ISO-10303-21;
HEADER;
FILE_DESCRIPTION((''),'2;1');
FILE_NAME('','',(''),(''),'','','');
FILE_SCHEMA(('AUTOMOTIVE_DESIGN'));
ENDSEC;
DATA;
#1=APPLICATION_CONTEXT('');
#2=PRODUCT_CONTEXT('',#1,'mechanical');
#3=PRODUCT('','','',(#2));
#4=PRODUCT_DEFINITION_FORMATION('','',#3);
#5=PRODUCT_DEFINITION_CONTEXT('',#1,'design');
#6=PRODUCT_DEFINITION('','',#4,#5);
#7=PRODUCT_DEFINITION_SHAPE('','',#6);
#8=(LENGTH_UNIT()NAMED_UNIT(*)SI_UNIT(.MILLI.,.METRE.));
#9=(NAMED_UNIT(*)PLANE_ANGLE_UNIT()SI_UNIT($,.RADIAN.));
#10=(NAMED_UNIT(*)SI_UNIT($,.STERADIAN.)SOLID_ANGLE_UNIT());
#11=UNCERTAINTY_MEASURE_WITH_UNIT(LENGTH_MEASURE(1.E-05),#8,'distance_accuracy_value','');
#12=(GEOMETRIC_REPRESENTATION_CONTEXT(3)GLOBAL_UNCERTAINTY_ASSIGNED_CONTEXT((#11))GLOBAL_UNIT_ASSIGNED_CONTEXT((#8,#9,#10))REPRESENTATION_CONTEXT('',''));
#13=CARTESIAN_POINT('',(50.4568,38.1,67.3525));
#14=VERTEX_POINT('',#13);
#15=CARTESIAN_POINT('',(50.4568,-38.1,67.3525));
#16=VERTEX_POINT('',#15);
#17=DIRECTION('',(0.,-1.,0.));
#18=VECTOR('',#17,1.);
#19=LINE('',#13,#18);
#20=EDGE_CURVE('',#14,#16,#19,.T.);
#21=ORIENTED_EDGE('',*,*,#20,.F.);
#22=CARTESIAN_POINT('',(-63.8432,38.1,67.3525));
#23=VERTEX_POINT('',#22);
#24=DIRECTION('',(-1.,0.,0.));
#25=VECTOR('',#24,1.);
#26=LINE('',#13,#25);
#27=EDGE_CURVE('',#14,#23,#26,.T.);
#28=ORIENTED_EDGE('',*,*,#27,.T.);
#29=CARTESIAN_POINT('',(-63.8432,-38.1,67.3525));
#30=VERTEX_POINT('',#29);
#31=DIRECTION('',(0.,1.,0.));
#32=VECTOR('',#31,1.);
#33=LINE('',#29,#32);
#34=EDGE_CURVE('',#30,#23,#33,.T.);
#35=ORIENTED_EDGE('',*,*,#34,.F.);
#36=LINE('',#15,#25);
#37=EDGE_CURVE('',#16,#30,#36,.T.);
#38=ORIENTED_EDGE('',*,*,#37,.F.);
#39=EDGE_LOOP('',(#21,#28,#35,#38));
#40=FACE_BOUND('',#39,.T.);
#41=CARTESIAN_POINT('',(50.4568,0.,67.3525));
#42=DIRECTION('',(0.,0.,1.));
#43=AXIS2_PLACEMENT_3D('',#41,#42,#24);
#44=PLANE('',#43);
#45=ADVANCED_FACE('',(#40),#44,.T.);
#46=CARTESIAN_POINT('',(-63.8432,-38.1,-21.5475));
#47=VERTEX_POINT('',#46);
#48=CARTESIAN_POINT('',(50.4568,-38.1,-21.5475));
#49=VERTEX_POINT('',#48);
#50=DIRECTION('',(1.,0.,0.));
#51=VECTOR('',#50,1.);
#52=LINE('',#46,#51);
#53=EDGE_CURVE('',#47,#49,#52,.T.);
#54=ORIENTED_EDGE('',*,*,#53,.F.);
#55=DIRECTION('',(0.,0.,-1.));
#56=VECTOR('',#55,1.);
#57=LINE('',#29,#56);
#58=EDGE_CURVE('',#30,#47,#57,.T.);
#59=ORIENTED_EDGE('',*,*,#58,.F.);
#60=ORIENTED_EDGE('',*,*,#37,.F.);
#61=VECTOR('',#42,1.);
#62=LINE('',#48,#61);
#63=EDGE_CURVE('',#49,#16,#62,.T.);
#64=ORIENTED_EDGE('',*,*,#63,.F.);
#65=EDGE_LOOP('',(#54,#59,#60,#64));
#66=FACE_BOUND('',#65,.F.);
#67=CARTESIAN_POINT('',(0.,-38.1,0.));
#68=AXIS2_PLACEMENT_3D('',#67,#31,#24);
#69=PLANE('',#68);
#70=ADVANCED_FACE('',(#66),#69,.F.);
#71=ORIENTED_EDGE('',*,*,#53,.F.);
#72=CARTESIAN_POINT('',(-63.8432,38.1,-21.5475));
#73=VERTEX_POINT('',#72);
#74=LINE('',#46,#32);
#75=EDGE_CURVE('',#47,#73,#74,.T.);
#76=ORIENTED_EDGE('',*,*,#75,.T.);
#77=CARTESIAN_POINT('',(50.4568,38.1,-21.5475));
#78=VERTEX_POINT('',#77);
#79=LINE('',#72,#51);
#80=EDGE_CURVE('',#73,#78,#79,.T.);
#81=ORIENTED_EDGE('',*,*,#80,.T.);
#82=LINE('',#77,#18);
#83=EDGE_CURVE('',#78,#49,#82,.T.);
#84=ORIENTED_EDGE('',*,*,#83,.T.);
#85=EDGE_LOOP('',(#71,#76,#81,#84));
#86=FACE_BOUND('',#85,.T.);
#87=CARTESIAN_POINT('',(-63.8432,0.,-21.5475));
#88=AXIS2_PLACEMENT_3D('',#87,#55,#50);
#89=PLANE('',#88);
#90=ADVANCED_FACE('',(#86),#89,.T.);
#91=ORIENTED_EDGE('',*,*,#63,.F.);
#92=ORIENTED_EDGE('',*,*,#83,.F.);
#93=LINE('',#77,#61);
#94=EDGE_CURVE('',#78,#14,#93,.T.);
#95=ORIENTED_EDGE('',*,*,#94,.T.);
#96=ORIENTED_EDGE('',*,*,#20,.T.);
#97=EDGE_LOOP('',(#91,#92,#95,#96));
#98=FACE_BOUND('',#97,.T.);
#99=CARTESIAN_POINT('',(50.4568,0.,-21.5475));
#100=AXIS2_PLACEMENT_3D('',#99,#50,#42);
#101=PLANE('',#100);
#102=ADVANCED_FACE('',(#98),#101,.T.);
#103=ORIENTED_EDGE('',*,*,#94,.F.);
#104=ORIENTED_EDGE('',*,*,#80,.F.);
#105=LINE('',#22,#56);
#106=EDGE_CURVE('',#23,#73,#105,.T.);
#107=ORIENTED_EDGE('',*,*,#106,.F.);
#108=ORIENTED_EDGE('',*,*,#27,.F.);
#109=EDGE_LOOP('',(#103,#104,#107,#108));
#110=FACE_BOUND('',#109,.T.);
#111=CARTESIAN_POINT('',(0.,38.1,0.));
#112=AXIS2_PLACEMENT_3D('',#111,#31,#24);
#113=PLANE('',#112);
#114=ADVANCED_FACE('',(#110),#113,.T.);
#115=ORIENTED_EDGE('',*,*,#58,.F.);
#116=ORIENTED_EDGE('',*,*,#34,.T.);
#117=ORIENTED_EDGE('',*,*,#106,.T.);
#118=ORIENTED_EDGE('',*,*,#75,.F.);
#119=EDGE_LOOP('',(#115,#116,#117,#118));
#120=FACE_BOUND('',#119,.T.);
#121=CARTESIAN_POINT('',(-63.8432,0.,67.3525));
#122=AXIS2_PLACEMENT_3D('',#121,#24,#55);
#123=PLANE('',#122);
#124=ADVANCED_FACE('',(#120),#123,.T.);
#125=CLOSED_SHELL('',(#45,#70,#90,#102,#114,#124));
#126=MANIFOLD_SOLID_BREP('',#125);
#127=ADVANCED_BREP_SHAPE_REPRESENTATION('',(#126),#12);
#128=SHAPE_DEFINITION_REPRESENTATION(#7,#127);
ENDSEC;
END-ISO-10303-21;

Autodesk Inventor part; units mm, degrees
ref_plane "YZ Plane" through (0, 0, 0) normal (1, 0, 0) x (0, 1, 0)
ref_plane "XZ Plane" through (0, 0, 0) normal (0, 1, 0) x (-1, 0, 0)
ref_plane "XY Plane" through (0, 0, 0) normal (0, 0, 1) x (1, 0, 0)
sketch "Sketch1" plane through (0, 0, 0) normal (0, 1, 0) x (-1, 0, 0)
  line L0 (63.8432, -21.5475) -> (-50.4568, -21.5475)
  line L1 (-50.4568, -21.5475) -> (-50.4568, 67.3525)
  line L2 (-50.4568, 67.3525) -> (63.8432, 67.3525)
  line L3 (63.8432, 67.3525) -> (63.8432, -21.5475)
  point P0 (0, 0)
  dimension "d0" = 88.9
  dimension "d1" = 114.3
extrude "Extrusion1" add sketch "Sketch1" along normal mid plane 76.2
properties part number "solenoid"
